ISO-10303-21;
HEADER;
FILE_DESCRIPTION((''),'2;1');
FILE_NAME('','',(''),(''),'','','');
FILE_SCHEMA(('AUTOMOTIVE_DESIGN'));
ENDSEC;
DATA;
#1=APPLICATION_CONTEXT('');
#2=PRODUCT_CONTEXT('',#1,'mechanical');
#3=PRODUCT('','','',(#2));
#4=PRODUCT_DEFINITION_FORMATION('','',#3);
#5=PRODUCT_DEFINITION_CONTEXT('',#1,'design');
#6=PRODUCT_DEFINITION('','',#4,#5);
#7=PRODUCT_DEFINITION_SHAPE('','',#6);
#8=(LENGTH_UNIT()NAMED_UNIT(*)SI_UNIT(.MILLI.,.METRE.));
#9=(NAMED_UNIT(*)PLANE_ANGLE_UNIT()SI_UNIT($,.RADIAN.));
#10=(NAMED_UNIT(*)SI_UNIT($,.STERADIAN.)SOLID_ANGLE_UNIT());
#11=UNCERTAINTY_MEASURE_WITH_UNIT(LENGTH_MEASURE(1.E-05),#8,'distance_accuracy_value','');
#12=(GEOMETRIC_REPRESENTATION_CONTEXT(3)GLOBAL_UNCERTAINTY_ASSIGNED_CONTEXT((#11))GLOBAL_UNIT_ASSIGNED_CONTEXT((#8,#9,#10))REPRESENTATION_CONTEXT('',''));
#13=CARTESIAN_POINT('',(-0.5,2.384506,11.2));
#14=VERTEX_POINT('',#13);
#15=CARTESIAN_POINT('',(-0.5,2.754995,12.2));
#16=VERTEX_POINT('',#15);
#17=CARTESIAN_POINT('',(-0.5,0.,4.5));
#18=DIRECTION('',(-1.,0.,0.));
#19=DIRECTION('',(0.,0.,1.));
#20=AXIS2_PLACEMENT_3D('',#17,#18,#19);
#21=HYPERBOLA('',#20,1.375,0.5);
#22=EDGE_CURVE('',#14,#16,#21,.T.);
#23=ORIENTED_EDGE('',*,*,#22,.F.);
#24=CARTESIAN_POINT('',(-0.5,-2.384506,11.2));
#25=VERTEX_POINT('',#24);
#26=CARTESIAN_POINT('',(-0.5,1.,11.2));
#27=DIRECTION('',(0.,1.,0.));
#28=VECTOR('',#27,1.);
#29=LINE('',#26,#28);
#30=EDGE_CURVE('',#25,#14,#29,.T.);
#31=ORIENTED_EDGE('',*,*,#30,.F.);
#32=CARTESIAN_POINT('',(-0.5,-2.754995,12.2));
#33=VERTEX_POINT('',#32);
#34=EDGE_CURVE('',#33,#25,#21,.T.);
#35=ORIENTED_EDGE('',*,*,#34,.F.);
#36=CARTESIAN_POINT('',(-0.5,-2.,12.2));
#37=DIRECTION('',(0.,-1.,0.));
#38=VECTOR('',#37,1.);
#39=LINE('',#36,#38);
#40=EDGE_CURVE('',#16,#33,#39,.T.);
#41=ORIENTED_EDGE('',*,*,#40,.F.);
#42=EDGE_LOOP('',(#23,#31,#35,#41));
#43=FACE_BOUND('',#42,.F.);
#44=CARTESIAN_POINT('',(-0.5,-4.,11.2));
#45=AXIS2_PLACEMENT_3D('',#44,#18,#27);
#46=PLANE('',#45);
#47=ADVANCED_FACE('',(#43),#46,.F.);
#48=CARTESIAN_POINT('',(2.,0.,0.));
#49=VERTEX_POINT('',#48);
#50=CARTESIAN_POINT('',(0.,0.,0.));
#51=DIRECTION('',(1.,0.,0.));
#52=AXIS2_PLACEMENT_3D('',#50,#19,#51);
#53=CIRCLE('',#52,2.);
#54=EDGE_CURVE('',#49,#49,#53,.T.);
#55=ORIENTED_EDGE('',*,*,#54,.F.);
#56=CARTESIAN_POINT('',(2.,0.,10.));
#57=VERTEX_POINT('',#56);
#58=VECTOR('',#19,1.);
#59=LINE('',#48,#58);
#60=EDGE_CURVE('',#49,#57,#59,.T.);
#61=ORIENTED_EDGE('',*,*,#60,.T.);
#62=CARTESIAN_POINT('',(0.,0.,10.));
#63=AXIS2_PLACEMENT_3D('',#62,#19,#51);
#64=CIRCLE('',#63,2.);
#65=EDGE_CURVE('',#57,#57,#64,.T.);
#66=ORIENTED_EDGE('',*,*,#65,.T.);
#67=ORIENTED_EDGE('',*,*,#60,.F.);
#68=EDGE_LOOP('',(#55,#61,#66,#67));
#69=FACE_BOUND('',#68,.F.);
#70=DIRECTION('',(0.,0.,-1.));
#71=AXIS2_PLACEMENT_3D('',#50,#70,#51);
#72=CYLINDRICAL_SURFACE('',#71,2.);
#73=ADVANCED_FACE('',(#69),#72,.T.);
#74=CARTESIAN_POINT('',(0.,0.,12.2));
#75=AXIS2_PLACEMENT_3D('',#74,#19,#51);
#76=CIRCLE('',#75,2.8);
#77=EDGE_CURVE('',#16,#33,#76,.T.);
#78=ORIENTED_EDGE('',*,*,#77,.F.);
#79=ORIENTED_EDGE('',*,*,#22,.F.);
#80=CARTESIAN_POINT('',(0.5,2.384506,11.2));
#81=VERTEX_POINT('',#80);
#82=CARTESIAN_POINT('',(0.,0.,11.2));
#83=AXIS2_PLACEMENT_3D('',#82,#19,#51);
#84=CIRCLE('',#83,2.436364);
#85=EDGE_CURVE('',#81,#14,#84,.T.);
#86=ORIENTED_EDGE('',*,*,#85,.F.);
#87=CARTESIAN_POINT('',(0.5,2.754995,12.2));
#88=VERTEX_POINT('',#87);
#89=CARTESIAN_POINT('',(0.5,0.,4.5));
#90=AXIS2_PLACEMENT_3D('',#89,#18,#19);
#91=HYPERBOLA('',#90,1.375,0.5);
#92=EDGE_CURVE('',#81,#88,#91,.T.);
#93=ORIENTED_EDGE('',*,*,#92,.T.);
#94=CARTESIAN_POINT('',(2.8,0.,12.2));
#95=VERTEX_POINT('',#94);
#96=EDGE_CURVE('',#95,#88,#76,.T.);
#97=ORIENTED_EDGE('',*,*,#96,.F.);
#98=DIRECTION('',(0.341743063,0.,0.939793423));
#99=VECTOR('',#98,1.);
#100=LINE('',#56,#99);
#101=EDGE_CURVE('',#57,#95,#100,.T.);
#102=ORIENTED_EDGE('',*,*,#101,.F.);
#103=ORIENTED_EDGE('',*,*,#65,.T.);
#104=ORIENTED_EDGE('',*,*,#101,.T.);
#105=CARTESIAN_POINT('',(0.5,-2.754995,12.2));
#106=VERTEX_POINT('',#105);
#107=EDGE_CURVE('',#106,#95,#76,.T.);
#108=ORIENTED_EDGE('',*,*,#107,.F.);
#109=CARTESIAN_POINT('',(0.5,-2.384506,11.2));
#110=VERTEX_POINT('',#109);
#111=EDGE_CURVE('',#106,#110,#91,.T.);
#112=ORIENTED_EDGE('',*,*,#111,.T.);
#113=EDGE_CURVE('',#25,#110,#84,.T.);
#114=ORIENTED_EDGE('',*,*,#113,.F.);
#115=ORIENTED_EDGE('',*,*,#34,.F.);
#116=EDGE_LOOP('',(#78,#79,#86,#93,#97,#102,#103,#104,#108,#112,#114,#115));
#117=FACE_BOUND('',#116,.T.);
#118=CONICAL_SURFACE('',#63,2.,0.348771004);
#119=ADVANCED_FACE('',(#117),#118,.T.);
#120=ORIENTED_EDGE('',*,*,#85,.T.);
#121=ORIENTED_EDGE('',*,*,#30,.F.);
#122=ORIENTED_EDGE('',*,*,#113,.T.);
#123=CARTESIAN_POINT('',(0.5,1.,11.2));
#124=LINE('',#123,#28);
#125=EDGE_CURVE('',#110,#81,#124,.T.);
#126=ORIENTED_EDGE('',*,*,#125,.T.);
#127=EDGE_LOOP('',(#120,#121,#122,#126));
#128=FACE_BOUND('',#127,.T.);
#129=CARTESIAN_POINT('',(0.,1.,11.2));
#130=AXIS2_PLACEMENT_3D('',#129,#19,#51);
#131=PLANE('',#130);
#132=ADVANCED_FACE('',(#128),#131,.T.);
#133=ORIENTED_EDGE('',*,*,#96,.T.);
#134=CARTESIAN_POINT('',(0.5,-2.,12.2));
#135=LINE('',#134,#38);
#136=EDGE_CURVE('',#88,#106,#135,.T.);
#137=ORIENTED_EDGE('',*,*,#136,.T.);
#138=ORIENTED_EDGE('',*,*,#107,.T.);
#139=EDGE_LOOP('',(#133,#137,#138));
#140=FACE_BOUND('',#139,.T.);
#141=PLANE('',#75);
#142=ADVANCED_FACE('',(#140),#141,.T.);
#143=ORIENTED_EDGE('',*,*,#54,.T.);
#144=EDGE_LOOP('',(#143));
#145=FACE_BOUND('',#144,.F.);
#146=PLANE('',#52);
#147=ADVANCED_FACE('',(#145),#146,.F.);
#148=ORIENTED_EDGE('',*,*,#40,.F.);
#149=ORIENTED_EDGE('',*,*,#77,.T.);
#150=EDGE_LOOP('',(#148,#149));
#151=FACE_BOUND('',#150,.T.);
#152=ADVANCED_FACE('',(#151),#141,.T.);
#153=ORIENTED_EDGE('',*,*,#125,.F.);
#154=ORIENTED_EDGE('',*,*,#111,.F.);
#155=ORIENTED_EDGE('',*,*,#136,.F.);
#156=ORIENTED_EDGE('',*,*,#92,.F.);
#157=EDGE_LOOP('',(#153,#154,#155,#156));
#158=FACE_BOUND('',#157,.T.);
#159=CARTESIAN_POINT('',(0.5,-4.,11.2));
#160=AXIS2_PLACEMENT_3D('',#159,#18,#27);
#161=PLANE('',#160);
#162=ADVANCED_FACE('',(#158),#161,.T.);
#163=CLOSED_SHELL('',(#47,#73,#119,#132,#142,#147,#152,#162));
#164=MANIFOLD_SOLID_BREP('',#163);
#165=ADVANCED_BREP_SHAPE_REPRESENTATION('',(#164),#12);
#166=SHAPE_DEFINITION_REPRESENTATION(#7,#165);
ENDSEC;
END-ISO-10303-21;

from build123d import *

# Parameters (mm, degrees)
CYLINDER_R     = 2
CYLINDER_DEPTH = 10
BOX_W          = 1
BOX_H          = 10
BOX_DEPTH      = 10


with BuildPart() as cilindre:
    # Cylinder → Cylinder (new body)
    with BuildSketch(Plane.XY):
        Circle(CYLINDER_R)
    extrude(amount=CYLINDER_DEPTH)


with BuildPart() as cub:
    # Box → Box (new body)
    with BuildSketch(Plane(origin=(-0.5, -4, 1.2), x_dir=(1, 0, 0), z_dir=(0, 0, 1))):
        with Locations((0.5, 5)):
            Rectangle(BOX_W, BOX_H)
    extrude(amount=BOX_DEPTH)


with BuildPart() as fusion:
    # Cone → Cone (revolve)
    with BuildSketch(Plane.XZ):
        Polygon((0, 0), (2, 0), (2.8, 2.2), (0, 2.2), align=None)
    revolve(axis=Axis((0, 0, 0), (0, 0, 1)))

    # Cut: cut Cub
    add(cub.part, mode=Mode.SUBTRACT)


with BuildPart() as fusion_1:
    # Cut placement: moved
    add(fusion.part.moved(Location((0, 0, 10))))

    # Fusion: union Cilindre
    add(cilindre.part)


solid = fusion_1.part
